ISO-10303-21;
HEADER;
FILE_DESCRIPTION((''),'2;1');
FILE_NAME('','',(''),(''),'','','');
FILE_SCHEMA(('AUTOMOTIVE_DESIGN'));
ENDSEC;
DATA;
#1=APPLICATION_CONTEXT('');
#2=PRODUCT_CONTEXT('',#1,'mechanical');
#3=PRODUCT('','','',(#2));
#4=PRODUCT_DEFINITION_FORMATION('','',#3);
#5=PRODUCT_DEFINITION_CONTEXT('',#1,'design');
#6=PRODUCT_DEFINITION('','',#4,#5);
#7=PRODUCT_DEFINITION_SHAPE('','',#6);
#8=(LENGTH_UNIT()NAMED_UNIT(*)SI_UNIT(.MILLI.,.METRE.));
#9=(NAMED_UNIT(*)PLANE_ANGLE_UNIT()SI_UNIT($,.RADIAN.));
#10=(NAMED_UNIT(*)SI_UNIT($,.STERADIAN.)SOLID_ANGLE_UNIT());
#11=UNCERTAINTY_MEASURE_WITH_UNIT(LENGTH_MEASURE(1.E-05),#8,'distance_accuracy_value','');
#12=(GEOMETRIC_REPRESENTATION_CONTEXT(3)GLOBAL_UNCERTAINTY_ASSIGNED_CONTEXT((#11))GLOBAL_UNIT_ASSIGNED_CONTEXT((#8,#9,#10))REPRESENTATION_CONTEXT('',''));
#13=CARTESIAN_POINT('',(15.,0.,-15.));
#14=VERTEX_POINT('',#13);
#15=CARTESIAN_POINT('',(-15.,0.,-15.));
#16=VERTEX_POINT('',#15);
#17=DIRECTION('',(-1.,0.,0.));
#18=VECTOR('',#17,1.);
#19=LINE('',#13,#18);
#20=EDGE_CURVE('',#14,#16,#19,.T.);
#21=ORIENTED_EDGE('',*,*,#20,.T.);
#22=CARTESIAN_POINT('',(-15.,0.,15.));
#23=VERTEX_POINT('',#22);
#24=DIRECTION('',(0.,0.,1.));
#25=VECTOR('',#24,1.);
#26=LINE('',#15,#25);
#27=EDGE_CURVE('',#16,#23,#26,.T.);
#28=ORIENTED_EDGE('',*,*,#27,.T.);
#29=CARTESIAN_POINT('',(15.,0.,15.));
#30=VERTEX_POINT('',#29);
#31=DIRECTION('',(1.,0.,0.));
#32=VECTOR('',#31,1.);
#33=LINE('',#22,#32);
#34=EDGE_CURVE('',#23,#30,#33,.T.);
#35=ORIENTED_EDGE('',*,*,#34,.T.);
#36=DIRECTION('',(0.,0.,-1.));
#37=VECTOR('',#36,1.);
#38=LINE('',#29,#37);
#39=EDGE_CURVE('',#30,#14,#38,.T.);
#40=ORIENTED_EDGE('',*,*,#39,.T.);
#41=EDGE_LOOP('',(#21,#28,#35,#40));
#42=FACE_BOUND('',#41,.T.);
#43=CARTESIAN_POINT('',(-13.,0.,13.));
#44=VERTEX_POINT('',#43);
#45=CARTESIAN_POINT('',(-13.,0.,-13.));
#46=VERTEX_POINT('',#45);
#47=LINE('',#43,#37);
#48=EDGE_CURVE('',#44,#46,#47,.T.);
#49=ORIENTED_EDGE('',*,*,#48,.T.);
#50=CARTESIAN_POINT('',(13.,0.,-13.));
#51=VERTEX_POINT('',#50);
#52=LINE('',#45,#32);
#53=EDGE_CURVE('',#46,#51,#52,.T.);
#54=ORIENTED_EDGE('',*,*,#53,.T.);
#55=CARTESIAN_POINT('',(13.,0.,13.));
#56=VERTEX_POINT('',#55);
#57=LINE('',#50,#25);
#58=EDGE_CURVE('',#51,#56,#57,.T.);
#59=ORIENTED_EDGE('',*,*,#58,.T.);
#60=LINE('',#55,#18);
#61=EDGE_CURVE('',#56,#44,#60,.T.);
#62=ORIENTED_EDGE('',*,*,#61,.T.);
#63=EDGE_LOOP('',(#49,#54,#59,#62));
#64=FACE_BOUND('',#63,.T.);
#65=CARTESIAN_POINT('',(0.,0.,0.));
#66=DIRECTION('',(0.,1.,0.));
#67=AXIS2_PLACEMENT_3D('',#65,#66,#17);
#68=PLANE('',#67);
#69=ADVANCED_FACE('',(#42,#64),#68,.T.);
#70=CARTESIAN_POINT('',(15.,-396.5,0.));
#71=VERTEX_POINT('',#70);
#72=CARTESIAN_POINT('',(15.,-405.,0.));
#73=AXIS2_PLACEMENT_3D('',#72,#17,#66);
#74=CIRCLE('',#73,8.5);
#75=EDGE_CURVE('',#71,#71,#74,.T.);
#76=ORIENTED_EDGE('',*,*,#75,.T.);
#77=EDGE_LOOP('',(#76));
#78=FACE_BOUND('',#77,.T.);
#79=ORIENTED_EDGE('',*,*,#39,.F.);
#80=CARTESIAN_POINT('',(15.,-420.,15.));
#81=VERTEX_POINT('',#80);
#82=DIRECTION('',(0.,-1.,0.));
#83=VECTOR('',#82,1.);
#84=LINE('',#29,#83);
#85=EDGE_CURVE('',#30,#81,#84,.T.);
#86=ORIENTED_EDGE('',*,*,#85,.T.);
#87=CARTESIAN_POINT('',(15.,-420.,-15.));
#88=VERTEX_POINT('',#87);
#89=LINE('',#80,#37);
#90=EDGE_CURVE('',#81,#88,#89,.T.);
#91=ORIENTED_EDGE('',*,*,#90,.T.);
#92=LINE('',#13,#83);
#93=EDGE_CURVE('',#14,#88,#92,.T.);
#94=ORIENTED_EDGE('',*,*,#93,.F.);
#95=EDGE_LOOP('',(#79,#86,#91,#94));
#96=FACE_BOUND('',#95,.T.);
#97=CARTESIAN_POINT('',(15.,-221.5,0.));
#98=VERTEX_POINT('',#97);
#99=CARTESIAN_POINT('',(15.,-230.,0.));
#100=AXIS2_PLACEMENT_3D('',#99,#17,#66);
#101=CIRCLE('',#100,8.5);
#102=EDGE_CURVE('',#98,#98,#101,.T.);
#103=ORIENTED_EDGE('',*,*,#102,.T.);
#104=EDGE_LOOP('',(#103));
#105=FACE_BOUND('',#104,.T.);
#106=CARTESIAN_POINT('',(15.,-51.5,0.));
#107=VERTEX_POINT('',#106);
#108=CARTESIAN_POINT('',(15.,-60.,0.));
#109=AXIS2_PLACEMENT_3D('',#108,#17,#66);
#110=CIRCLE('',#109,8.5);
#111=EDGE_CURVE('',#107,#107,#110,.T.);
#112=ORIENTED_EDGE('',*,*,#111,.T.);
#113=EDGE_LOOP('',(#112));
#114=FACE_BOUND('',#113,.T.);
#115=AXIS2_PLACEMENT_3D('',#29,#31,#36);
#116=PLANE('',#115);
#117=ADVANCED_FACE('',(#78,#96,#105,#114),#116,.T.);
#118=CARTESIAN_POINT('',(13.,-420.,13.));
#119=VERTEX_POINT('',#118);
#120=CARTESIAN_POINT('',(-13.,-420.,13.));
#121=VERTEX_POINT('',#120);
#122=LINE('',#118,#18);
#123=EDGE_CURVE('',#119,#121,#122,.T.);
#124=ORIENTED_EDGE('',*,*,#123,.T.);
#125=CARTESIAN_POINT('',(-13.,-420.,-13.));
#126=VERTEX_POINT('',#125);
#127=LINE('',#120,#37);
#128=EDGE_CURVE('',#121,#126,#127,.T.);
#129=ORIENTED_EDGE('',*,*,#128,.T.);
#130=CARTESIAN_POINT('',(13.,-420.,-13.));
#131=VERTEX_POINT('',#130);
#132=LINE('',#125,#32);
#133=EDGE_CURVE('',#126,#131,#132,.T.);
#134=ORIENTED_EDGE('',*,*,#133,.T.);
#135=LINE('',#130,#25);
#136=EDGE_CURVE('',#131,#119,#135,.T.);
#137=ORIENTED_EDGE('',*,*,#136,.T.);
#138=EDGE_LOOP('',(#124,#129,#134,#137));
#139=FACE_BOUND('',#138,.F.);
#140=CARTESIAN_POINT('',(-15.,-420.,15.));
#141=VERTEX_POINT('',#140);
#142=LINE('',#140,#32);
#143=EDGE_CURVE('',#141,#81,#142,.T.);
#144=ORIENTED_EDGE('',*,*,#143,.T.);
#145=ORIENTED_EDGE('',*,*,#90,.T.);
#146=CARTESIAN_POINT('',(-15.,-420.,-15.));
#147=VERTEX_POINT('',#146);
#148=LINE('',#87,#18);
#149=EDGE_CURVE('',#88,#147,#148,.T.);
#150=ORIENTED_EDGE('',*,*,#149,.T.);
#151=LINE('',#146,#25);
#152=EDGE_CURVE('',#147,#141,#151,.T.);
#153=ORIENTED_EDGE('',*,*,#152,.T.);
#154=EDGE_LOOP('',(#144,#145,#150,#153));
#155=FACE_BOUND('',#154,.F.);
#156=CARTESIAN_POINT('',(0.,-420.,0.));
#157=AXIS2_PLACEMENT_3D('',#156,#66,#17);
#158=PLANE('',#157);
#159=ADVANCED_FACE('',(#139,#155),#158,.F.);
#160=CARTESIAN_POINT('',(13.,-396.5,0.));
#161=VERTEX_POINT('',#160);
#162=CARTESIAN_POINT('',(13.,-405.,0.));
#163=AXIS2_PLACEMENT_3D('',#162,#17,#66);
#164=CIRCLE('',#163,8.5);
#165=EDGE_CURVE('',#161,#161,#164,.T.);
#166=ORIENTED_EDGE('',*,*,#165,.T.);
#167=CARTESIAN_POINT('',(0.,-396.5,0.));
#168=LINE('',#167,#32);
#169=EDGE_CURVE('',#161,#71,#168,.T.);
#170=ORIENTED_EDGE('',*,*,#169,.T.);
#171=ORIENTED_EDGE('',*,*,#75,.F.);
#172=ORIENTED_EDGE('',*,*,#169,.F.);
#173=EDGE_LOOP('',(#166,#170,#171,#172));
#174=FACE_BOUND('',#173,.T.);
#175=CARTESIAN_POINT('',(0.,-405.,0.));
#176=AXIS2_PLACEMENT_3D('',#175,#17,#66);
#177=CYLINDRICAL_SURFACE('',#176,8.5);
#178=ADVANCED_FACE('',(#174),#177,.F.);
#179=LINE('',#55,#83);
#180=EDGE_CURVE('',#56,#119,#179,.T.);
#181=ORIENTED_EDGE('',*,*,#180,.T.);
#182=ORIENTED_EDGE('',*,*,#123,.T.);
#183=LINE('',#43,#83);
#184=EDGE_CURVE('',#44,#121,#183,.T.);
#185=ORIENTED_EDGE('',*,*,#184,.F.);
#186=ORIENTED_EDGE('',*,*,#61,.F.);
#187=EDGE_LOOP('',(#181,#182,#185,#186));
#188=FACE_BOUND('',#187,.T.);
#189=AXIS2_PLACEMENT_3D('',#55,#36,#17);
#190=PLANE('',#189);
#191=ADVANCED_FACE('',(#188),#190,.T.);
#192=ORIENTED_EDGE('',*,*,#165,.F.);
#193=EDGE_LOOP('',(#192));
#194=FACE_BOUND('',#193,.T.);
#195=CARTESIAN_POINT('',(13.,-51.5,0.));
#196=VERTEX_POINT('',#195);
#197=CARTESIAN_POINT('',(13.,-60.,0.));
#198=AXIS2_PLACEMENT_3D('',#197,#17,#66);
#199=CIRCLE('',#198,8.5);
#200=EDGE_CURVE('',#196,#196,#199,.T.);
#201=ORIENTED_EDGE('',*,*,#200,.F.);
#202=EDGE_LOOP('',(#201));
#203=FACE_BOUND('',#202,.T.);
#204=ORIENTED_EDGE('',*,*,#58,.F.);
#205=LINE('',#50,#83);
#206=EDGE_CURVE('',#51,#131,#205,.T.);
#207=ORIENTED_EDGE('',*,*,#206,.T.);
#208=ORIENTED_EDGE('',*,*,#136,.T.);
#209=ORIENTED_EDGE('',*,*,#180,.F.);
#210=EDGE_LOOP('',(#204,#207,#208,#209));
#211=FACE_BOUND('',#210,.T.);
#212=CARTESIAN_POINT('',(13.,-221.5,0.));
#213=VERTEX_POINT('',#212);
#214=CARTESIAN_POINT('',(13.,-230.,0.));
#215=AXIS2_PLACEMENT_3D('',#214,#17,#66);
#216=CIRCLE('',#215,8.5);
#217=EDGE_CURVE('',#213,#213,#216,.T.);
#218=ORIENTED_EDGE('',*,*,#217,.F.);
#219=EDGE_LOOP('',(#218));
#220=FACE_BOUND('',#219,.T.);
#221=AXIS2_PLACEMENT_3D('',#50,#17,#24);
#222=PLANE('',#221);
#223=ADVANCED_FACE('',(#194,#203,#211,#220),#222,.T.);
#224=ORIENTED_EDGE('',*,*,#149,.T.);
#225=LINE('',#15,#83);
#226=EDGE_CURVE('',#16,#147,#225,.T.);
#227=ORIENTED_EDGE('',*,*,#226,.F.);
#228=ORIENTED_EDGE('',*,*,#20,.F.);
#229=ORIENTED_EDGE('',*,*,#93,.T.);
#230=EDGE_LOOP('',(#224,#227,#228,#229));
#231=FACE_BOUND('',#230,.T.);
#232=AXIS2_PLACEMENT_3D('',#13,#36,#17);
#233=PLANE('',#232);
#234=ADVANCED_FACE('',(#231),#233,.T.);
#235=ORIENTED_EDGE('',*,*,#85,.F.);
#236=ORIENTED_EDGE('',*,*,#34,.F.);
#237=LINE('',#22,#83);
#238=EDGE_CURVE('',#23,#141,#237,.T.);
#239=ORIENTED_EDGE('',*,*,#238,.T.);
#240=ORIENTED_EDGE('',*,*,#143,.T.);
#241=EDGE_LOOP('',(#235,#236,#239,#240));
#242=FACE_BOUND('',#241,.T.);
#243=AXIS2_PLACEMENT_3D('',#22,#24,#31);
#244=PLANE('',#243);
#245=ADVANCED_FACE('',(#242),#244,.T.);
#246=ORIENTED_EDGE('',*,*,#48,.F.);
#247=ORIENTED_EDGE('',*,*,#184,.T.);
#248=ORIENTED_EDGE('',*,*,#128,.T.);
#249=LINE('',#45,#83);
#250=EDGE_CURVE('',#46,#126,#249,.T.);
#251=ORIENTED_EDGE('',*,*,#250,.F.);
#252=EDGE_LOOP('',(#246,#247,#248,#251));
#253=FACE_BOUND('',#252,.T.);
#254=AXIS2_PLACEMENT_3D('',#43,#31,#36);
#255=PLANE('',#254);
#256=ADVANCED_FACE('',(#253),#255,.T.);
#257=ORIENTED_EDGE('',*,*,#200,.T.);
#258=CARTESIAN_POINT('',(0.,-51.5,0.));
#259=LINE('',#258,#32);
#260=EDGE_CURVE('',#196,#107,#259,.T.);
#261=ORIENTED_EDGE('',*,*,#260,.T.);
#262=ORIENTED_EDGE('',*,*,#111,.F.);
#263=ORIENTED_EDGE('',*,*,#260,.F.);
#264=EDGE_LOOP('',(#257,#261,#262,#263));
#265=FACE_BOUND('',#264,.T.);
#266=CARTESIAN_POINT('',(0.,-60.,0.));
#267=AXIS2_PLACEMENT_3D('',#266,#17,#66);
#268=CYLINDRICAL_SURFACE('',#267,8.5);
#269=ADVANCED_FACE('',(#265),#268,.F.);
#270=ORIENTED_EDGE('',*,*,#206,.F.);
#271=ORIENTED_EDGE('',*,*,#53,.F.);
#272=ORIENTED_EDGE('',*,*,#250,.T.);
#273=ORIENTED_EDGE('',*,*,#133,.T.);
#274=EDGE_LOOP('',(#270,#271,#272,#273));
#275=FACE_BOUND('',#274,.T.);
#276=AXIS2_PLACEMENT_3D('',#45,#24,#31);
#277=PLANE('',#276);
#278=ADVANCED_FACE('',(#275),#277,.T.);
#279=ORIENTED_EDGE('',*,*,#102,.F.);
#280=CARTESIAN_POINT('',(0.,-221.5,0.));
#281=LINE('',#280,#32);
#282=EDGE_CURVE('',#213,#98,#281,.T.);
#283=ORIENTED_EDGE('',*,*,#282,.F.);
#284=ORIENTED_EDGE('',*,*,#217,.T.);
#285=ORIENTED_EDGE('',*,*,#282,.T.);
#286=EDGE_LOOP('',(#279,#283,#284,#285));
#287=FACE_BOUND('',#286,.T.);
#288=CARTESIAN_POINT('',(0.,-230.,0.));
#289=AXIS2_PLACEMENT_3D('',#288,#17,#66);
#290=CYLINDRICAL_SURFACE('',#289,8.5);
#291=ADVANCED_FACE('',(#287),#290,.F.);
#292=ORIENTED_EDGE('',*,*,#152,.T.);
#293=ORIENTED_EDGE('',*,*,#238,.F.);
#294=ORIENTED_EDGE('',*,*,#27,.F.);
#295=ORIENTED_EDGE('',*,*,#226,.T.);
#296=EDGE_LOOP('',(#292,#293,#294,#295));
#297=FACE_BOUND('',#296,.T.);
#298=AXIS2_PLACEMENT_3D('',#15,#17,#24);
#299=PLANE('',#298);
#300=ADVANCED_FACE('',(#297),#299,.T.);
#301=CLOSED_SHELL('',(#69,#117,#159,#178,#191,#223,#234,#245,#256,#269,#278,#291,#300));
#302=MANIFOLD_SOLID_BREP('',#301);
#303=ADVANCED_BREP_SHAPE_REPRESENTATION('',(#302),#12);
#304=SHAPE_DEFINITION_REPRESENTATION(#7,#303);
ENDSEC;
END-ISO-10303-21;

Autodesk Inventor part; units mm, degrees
ref_plane "YZ Plane" through (0, 0, 0) normal (1, 0, 0) x (0, 1, 0)
ref_plane "XZ Plane" through (0, 0, 0) normal (0, 1, 0) x (-1, 0, 0)
ref_plane "XY Plane" through (0, 0, 0) normal (0, 0, 1) x (1, 0, 0)
sketch "Sketch9" plane through (0, 0, 0) normal (0, 1, 0) x (-1, 0, 0)
  line L0 (15, 15) -> (-15, 15)
  line L1 (-15, 15) -> (-15, -15)
  line L2 (-15, -15) -> (15, -15)
  line L3 (15, -15) -> (15, 15)
  line L4 (15, 15) -> (-15, -15) construction
  line L5 (-15, 15) -> (15, -15) construction
  line L6 (-13, 13) -> (13, 13)
  line L7 (13, 13) -> (13, -13)
  line L8 (13, -13) -> (-13, -13)
  line L9 (-13, -13) -> (-13, 13)
  point P0 (0, 0)
  dimension "d172" = 30
  dimension "d173" = 30
  dimension "d174" = 2
extrude "Extrusion3" add sketch "Sketch9" against normal blind 420
sketch "Sketch10" plane through (0, 0, 0) normal (1, 0, 0) x (0, 1, 0)
  line L0 (0, 15) -> (0, -15) construction
  line L1 (0, 15) -> (-420, 15) construction
  line L2 (-420, -15) -> (-420, 15) construction
  line L3 (0, -15) -> (-420, -15) construction
  line L4 (-68.5, 8.5) -> (-51.5, 8.5)
  line L5 (-51.5, 8.5) -> (-51.5, -8.5)
  line L6 (-51.5, -8.5) -> (-68.5, -8.5)
  line L7 (-68.5, -8.5) -> (-68.5, 8.5)
  line L8 (-68.5, 8.5) -> (-51.5, -8.5) construction
  line L9 (-51.5, 8.5) -> (-68.5, -8.5) construction
  line L10 (-238.5, 8.5) -> (-221.5, 8.5)
  line L11 (-221.5, 8.5) -> (-221.5, -8.5)
  line L12 (-221.5, -8.5) -> (-238.5, -8.5)
  line L13 (-238.5, -8.5) -> (-238.5, 8.5)
  line L14 (-238.5, 8.5) -> (-221.5, -8.5) construction
  line L15 (-221.5, 8.5) -> (-238.5, -8.5) construction
  line L16 (-413.5, 8.5) -> (-396.5, 8.5)
  line L17 (-396.5, 8.5) -> (-396.5, -8.5)
  line L18 (-396.5, -8.5) -> (-413.5, -8.5)
  line L19 (-413.5, -8.5) -> (-413.5, 8.5)
  line L20 (-413.5, 8.5) -> (-396.5, -8.5) construction
  line L21 (-396.5, 8.5) -> (-413.5, -8.5) construction
  circle A0 centre (-470, 0) radius 8.5
  line L22 (0, 0) -> (30, 0)
  circle A1 centre (-60, 0) radius 8.5
  circle A2 centre (-230, 0) radius 8.5
  circle A3 centre (-405, 0) radius 8.5
  dimension "d177" = 17
  dimension "d178" = 17
  dimension "d181" = 30
  dimension "d182" = 90
  dimension "d183" = 260
  dimension "d184" = 435
  dimension "d185" = 500
  dimension "d186" = 17
extrude "Extrusion4" cut sketch "Sketch10" along normal through all contours A1 | A2 | A3
properties part number "PNS 1752 FDS 1200 way tube 2_1600" material "Stainless Steel"
